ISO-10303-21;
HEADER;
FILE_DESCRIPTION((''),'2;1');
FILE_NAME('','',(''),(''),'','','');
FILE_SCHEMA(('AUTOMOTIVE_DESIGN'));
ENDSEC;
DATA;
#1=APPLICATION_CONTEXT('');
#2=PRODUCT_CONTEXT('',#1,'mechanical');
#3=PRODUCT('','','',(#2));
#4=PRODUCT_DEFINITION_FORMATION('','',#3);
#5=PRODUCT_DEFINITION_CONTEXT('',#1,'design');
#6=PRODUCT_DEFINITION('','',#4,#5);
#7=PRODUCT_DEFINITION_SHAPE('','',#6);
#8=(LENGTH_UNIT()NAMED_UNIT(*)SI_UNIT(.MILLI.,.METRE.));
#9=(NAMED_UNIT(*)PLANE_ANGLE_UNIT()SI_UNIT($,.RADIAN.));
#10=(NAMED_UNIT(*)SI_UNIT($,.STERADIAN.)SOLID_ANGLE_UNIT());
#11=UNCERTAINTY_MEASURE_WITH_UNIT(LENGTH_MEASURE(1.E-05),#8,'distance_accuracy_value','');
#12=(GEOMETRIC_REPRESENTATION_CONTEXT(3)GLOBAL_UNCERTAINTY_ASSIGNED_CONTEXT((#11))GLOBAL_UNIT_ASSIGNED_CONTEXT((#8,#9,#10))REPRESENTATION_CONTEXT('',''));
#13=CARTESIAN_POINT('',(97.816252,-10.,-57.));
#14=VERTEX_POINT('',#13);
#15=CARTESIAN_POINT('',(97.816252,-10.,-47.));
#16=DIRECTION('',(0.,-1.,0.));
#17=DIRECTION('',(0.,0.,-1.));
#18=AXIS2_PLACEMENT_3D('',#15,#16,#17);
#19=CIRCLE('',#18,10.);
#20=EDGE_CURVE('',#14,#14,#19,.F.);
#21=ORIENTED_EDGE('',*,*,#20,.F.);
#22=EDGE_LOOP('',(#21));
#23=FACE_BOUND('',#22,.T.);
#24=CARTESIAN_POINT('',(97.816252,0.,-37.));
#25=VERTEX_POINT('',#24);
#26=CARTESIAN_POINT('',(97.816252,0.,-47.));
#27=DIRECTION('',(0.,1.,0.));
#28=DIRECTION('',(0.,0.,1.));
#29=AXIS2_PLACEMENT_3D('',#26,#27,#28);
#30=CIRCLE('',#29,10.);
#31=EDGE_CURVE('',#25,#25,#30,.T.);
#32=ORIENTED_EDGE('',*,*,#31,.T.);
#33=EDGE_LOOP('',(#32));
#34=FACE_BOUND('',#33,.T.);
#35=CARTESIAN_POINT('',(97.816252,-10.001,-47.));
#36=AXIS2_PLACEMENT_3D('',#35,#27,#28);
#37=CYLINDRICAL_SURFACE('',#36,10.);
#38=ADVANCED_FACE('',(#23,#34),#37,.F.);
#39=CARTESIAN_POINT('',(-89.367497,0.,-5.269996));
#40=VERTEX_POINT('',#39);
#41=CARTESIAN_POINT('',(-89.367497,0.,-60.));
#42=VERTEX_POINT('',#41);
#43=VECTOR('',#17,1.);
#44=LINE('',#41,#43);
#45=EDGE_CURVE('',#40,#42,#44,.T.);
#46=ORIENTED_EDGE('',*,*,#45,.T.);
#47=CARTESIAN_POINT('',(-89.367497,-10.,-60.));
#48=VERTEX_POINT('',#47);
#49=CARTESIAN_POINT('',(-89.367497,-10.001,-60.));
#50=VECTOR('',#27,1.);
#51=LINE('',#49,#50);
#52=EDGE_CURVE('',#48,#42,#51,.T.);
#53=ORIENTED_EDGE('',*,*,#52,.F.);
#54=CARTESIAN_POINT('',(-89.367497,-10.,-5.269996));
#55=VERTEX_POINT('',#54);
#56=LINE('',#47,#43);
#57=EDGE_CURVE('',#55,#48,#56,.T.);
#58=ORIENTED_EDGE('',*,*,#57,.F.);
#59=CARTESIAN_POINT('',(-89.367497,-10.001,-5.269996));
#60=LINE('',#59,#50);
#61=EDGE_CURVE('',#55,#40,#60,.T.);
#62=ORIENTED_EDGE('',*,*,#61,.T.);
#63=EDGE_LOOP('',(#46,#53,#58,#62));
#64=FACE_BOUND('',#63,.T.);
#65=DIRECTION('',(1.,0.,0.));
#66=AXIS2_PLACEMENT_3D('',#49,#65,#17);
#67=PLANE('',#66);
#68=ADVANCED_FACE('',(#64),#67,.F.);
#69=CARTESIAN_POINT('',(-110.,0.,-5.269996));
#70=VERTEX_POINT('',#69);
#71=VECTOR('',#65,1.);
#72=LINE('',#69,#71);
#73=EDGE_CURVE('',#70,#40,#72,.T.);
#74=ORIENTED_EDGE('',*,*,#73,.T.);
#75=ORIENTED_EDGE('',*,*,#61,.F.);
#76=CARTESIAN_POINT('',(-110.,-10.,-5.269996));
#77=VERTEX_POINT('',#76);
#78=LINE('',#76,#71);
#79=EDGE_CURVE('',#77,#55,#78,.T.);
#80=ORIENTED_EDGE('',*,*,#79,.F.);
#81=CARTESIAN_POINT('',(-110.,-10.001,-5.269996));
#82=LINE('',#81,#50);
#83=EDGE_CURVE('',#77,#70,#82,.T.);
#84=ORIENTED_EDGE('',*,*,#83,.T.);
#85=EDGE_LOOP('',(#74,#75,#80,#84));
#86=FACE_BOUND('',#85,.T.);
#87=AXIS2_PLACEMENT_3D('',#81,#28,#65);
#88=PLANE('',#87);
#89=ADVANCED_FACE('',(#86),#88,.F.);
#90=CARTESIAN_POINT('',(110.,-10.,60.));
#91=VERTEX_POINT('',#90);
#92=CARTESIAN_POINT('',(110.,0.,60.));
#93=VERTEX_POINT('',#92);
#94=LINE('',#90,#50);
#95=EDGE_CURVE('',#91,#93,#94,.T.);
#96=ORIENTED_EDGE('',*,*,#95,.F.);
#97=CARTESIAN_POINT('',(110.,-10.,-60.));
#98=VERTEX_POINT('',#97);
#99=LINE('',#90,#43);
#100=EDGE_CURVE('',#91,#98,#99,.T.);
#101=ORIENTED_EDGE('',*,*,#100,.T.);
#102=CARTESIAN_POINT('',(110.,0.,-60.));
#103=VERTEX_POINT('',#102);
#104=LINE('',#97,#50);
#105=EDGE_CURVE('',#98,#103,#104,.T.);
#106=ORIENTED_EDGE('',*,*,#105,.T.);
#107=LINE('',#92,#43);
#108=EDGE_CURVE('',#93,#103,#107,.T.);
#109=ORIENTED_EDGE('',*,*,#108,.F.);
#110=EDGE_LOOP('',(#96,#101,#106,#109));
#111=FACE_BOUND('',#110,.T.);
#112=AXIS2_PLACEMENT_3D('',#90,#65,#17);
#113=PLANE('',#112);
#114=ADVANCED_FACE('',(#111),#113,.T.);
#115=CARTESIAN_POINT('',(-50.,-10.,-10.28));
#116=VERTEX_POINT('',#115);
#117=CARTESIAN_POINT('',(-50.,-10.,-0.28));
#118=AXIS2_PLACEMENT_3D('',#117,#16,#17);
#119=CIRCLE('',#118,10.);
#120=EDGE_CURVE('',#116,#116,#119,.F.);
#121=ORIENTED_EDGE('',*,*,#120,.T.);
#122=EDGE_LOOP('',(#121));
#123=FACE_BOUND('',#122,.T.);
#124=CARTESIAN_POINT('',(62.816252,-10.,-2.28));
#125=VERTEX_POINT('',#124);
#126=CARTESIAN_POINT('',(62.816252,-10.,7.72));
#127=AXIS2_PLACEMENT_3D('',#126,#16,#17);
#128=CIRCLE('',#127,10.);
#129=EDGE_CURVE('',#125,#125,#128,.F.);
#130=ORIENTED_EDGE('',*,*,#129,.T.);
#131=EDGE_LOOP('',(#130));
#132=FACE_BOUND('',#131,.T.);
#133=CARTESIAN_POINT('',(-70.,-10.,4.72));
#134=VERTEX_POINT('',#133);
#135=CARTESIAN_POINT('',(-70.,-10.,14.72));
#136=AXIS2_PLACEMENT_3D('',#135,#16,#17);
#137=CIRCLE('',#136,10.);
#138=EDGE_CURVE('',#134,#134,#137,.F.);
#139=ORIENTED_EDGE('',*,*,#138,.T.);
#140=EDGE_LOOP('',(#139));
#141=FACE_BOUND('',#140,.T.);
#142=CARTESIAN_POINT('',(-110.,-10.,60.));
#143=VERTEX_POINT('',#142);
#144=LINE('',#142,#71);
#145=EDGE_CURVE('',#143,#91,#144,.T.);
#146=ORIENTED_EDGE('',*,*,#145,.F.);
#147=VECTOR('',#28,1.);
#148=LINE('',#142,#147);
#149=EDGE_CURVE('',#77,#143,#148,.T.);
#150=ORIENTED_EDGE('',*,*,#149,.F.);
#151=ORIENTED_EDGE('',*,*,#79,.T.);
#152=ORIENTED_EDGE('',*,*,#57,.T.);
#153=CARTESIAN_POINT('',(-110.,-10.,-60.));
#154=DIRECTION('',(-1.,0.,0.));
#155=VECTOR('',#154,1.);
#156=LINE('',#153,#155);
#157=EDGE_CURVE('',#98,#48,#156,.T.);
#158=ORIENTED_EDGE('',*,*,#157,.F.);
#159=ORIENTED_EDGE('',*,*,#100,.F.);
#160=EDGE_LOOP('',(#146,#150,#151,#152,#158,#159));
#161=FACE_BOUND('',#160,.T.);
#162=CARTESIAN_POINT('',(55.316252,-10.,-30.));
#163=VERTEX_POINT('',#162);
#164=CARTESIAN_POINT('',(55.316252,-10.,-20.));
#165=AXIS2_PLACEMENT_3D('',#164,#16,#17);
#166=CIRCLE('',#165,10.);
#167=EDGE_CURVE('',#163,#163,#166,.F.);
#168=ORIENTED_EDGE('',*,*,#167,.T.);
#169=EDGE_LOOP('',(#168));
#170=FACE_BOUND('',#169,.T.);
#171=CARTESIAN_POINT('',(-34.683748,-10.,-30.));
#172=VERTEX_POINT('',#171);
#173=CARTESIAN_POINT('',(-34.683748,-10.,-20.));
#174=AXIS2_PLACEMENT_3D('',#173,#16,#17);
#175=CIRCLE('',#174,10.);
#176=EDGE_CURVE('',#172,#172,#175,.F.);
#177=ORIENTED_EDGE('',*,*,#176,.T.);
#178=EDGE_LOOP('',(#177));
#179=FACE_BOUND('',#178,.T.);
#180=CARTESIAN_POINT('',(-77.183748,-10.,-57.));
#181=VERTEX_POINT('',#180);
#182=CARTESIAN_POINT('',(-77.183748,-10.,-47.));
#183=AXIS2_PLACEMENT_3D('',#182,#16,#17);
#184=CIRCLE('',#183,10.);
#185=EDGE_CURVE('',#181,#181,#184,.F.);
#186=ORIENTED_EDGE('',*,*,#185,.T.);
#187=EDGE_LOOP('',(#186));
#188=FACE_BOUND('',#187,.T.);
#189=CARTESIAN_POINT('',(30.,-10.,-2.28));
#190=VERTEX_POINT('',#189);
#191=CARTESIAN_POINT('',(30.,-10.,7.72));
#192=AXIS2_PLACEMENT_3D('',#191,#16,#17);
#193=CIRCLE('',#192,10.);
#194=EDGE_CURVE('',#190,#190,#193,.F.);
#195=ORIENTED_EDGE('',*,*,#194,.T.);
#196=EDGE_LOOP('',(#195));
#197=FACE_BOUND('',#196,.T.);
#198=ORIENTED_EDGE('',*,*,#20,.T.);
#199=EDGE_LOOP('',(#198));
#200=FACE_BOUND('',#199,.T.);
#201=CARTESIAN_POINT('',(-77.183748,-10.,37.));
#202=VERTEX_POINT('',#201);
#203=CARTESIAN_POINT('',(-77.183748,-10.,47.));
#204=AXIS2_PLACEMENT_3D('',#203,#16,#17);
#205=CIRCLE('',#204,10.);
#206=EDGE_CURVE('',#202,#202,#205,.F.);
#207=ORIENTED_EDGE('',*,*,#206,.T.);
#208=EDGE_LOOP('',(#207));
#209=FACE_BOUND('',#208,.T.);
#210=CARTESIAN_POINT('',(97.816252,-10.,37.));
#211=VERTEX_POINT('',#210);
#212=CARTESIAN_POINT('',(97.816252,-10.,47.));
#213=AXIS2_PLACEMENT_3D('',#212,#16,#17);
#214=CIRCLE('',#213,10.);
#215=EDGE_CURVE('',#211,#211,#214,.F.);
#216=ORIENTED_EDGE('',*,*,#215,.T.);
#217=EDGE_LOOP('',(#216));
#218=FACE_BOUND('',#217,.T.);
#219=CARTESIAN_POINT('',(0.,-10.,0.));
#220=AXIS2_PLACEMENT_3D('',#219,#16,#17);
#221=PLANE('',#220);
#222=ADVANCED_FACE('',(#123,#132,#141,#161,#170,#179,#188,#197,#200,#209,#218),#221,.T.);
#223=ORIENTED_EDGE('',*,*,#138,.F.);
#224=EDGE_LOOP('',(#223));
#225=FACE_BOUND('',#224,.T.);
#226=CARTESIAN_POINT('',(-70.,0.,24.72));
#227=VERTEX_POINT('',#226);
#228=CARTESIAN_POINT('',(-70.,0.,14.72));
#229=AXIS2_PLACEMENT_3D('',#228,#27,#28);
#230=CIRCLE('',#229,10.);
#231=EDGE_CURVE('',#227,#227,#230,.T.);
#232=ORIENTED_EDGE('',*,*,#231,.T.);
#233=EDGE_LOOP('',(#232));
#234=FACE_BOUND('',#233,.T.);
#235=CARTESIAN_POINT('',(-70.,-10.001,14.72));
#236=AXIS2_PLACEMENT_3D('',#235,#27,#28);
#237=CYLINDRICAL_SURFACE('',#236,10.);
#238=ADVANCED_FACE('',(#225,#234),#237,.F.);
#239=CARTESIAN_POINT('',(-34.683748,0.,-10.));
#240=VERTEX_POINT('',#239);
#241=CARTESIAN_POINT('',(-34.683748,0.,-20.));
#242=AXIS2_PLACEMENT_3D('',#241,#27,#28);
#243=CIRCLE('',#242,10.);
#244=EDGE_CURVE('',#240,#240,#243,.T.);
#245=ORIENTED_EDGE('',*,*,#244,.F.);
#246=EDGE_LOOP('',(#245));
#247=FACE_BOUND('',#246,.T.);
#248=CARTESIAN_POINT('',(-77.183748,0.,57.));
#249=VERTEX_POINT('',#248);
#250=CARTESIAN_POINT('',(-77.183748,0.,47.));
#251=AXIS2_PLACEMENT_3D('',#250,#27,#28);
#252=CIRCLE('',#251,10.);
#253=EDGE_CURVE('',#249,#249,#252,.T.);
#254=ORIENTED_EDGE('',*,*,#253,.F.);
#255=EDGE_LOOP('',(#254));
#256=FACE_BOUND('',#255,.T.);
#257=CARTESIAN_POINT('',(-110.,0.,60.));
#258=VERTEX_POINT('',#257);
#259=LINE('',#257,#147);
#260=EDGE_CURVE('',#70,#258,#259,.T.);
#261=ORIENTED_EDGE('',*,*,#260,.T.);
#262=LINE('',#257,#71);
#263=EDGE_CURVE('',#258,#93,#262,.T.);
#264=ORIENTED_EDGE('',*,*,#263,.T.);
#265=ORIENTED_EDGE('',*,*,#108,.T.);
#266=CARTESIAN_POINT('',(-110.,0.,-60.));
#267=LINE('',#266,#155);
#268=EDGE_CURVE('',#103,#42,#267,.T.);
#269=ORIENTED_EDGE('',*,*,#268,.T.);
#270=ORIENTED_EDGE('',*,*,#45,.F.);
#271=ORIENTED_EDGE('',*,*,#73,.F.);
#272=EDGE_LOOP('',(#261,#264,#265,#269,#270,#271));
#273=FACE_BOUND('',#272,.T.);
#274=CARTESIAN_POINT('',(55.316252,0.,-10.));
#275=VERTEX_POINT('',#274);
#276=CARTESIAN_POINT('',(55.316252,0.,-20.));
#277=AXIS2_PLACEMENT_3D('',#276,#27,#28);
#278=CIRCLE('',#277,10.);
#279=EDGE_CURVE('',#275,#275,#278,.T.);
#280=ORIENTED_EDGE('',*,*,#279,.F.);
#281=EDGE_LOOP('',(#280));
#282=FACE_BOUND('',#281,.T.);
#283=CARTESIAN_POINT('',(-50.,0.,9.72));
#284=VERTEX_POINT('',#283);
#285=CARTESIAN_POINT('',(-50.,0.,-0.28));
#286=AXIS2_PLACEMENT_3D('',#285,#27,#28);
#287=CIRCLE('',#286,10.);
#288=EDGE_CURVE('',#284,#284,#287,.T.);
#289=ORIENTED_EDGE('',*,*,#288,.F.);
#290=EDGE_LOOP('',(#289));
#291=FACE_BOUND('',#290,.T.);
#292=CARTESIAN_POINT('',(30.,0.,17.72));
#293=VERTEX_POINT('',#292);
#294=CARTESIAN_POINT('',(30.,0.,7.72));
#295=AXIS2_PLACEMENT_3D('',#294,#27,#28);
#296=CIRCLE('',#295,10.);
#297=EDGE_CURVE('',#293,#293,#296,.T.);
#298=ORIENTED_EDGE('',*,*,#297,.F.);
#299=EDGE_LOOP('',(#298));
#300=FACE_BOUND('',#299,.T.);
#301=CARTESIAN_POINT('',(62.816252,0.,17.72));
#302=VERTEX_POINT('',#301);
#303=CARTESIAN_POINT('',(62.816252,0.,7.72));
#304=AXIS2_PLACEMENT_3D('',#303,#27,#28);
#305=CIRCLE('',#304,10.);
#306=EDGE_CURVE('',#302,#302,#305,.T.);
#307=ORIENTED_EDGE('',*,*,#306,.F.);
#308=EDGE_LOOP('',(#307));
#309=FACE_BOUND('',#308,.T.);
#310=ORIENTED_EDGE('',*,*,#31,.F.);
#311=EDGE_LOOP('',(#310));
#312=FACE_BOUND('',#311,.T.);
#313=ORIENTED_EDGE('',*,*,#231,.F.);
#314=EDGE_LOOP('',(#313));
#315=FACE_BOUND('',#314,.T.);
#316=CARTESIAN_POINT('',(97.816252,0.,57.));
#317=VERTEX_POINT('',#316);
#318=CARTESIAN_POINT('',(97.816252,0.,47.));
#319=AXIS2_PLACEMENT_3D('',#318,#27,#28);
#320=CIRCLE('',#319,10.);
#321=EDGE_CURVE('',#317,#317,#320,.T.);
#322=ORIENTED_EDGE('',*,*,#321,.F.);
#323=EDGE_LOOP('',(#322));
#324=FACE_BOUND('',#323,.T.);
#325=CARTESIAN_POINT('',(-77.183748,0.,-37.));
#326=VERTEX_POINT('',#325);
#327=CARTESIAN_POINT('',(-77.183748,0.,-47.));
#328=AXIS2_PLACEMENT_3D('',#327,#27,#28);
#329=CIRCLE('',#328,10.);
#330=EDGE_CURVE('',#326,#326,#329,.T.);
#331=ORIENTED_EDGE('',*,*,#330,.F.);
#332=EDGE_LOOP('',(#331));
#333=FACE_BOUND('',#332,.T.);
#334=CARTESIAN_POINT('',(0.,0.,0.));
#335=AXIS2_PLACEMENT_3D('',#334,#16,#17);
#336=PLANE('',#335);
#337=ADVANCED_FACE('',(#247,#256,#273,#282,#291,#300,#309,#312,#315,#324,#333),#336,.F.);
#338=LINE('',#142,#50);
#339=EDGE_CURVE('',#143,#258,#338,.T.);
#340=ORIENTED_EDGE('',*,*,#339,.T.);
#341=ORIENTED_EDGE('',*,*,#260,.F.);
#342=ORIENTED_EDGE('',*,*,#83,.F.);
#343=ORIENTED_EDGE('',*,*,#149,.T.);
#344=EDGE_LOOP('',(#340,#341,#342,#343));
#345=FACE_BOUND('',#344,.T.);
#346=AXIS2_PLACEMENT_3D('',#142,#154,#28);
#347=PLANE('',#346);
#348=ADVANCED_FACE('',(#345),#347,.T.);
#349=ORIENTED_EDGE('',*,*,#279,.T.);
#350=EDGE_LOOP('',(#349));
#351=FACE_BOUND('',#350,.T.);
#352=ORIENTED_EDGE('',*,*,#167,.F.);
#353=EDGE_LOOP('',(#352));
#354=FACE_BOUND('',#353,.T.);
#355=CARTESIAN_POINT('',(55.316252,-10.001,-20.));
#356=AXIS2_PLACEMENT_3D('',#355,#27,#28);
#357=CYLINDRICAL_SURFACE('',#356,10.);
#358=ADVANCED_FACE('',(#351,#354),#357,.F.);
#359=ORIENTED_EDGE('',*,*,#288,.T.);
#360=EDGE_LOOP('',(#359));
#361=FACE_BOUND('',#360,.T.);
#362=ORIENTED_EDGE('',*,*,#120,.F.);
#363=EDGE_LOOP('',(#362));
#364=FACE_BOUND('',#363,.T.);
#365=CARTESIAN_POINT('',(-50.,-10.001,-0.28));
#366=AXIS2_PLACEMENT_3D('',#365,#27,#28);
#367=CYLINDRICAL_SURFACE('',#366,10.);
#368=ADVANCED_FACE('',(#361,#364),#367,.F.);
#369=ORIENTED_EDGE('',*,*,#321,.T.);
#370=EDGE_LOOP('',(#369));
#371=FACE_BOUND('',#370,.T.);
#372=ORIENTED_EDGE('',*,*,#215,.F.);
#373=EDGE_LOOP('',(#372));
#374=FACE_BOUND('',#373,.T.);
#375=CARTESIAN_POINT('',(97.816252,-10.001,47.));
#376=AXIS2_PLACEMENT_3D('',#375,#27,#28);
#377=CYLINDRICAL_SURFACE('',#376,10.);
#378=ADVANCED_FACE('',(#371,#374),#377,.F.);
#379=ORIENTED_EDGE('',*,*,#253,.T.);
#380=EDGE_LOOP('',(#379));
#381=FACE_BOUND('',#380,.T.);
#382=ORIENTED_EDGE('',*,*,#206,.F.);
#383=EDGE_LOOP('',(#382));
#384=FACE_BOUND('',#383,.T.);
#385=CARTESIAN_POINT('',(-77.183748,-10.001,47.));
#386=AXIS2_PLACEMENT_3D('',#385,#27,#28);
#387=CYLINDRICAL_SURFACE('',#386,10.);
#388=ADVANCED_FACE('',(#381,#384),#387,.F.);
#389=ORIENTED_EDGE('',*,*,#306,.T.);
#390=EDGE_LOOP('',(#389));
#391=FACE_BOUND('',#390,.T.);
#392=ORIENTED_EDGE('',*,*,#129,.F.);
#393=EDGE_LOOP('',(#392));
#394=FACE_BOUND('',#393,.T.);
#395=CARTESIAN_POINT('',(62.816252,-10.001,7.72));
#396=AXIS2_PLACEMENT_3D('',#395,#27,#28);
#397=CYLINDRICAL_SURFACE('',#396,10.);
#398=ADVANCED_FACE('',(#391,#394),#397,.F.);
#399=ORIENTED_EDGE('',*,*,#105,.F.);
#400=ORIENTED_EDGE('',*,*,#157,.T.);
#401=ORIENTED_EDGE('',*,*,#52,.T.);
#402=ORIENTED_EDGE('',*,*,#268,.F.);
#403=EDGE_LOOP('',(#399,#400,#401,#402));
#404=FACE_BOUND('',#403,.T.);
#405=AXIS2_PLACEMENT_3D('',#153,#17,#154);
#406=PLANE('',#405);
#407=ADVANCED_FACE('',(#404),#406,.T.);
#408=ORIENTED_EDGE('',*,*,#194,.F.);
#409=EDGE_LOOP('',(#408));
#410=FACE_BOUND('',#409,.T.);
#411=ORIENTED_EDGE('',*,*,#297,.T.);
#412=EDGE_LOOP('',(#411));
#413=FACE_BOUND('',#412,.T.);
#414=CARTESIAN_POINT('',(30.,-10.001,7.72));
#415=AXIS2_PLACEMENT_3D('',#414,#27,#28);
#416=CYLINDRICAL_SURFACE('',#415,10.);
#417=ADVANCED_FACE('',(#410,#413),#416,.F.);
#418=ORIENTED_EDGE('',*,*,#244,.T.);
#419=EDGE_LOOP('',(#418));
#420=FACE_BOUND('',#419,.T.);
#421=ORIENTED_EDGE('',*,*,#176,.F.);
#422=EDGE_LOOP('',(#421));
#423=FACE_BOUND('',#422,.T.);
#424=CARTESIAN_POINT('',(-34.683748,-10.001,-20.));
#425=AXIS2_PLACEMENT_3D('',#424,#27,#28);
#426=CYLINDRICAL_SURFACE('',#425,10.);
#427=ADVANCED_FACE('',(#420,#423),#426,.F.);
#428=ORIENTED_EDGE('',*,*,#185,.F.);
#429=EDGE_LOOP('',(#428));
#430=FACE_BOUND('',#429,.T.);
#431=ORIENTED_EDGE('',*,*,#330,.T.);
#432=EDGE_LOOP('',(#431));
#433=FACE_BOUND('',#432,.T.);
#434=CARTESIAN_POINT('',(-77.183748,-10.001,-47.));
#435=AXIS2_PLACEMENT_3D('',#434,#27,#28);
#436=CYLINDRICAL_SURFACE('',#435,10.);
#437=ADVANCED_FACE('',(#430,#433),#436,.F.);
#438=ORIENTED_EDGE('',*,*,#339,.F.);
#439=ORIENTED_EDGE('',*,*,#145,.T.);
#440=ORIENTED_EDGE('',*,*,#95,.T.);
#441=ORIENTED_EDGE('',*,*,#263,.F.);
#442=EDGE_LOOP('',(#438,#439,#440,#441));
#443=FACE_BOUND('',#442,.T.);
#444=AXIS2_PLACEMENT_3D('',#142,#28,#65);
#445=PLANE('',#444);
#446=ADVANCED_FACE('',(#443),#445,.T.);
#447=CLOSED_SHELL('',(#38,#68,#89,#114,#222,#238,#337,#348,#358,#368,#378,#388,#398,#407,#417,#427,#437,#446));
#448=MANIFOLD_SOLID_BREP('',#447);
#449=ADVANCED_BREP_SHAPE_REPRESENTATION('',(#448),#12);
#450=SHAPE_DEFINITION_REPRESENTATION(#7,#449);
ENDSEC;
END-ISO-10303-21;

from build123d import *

# Parameters (mm, degrees)
SKETCH1_W           = 220
SKETCH1_H           = 120
BOSS_EXTRUDE1_DEPTH = 10
CUT_EXTRUDE1_REACH  = 127.698
SKETCH2_W           = 20.632503002
SKETCH2_H           = 54.730004003
CUT_EXTRUDE2_REACH  = 127.698
SKETCH3_R           = 10


with BuildPart() as part:
    # Sketch1 → Boss-Extrude1 (new body)
    with BuildSketch(Plane(origin=(0, 0, 0), x_dir=(1, 0, 0), z_dir=(0, 1, 0))):
        Rectangle(SKETCH1_W, SKETCH1_H)
    extrude(amount=-BOSS_EXTRUDE1_DEPTH)

    # Sketch2 → Cut-Extrude1 (cut, up to next)
    with BuildSketch(Plane(origin=(0, 0, 0), x_dir=(1, 0, 0), z_dir=(0, 1, 0)), mode=Mode.PRIVATE) as cut_extrude1_sk1:
        with Locations((-99.683748499, 32.634997999)):
            Rectangle(SKETCH2_W, SKETCH2_H)
    cut_extrude1_tool1 = extrude(cut_extrude1_sk1.sketch, amount=-CUT_EXTRUDE1_REACH, mode=Mode.PRIVATE) & part.part
    add(cut_extrude1_tool1.solids().sort_by_distance((-99.683748, 0, -32.634998))[0], mode=Mode.SUBTRACT)

    # Sketch3 → Cut-Extrude2 (cut, up to next)
    with BuildSketch(Plane(origin=(0, 0, 0), x_dir=(1, 0, 0), z_dir=(0, 1, 0)), mode=Mode.PRIVATE) as cut_extrude2_sk1:
        with Locations(Location((97.816251501, -47, 0), (0, 0, 270))):
            Circle(SKETCH3_R)
    cut_extrude2_tool1 = extrude(cut_extrude2_sk1.sketch, amount=-CUT_EXTRUDE2_REACH, mode=Mode.PRIVATE) & part.part
    # Sketch3 → Cut-Extrude2 (cut, up to next)
    with BuildSketch(Plane(origin=(0, 0, 0), x_dir=(1, 0, 0), z_dir=(0, 1, 0)), mode=Mode.PRIVATE) as cut_extrude2_sk2:
        with Locations(Location((-77.183748499, -47, 0), (0, 0, 270))):
            Circle(SKETCH3_R)
    cut_extrude2_tool2 = extrude(cut_extrude2_sk2.sketch, amount=-CUT_EXTRUDE2_REACH, mode=Mode.PRIVATE) & part.part
    # Sketch3 → Cut-Extrude2 (cut, up to next)
    with BuildSketch(Plane(origin=(0, 0, 0), x_dir=(1, 0, 0), z_dir=(0, 1, 0)), mode=Mode.PRIVATE) as cut_extrude2_sk3:
        with Locations(Location((-70, -14.72, 0), (0, 0, 270))):
            Circle(SKETCH3_R)
    cut_extrude2_tool3 = extrude(cut_extrude2_sk3.sketch, amount=-CUT_EXTRUDE2_REACH, mode=Mode.PRIVATE) & part.part
    # Sketch3 → Cut-Extrude2 (cut, up to next)
    with BuildSketch(Plane(origin=(0, 0, 0), x_dir=(1, 0, 0), z_dir=(0, 1, 0)), mode=Mode.PRIVATE) as cut_extrude2_sk4:
        with Locations(Location((-50, 0.28, 0), (0, 0, 270))):
            Circle(SKETCH3_R)
    cut_extrude2_tool4 = extrude(cut_extrude2_sk4.sketch, amount=-CUT_EXTRUDE2_REACH, mode=Mode.PRIVATE) & part.part
    # Sketch3 → Cut-Extrude2 (cut, up to next)
    with BuildSketch(Plane(origin=(0, 0, 0), x_dir=(1, 0, 0), z_dir=(0, 1, 0)), mode=Mode.PRIVATE) as cut_extrude2_sk5:
        with Locations(Location((30, -7.72, 0), (0, 0, 270))):
            Circle(SKETCH3_R)
    cut_extrude2_tool5 = extrude(cut_extrude2_sk5.sketch, amount=-CUT_EXTRUDE2_REACH, mode=Mode.PRIVATE) & part.part
    # Sketch3 → Cut-Extrude2 (cut, up to next)
    with BuildSketch(Plane(origin=(0, 0, 0), x_dir=(1, 0, 0), z_dir=(0, 1, 0)), mode=Mode.PRIVATE) as cut_extrude2_sk6:
        with Locations(Location((62.816251501, -7.72, 0), (0, 0, 270))):
            Circle(SKETCH3_R)
    cut_extrude2_tool6 = extrude(cut_extrude2_sk6.sketch, amount=-CUT_EXTRUDE2_REACH, mode=Mode.PRIVATE) & part.part
    # Sketch3 → Cut-Extrude2 (cut, up to next)
    with BuildSketch(Plane(origin=(0, 0, 0), x_dir=(1, 0, 0), z_dir=(0, 1, 0)), mode=Mode.PRIVATE) as cut_extrude2_sk7:
        with Locations(Location((55.316251501, 20, 0), (0, 0, 270))):
            Circle(SKETCH3_R)
    cut_extrude2_tool7 = extrude(cut_extrude2_sk7.sketch, amount=-CUT_EXTRUDE2_REACH, mode=Mode.PRIVATE) & part.part
    # Sketch3 → Cut-Extrude2 (cut, up to next)
    with BuildSketch(Plane(origin=(0, 0, 0), x_dir=(1, 0, 0), z_dir=(0, 1, 0)), mode=Mode.PRIVATE) as cut_extrude2_sk8:
        with Locations(Location((97.816251501, 47, 0), (0, 0, 270))):
            Circle(SKETCH3_R)
    cut_extrude2_tool8 = extrude(cut_extrude2_sk8.sketch, amount=-CUT_EXTRUDE2_REACH, mode=Mode.PRIVATE) & part.part
    # Sketch3 → Cut-Extrude2 (cut, up to next)
    with BuildSketch(Plane(origin=(0, 0, 0), x_dir=(1, 0, 0), z_dir=(0, 1, 0)), mode=Mode.PRIVATE) as cut_extrude2_sk9:
        with Locations(Location((-34.683748499, 20, 0), (0, 0, 270))):
            Circle(SKETCH3_R)
    cut_extrude2_tool9 = extrude(cut_extrude2_sk9.sketch, amount=-CUT_EXTRUDE2_REACH, mode=Mode.PRIVATE) & part.part
    # Sketch3 → Cut-Extrude2 (cut, up to next)
    with BuildSketch(Plane(origin=(0, 0, 0), x_dir=(1, 0, 0), z_dir=(0, 1, 0)), mode=Mode.PRIVATE) as cut_extrude2_sk10:
        with Locations(Location((-77.183748499, 47, 0), (0, 0, 270))):
            Circle(SKETCH3_R)
    cut_extrude2_tool10 = extrude(cut_extrude2_sk10.sketch, amount=-CUT_EXTRUDE2_REACH, mode=Mode.PRIVATE) & part.part
    add(cut_extrude2_tool1.solids().sort_by_distance((97.816252, 0, 47))[0], mode=Mode.SUBTRACT)
    add(cut_extrude2_tool2.solids().sort_by_distance((-77.183748, 0, 47))[0], mode=Mode.SUBTRACT)
    add(cut_extrude2_tool3.solids().sort_by_distance((-70, 0, 14.72))[0], mode=Mode.SUBTRACT)
    add(cut_extrude2_tool4.solids().sort_by_distance((-50, 0, -0.28))[0], mode=Mode.SUBTRACT)
    add(cut_extrude2_tool5.solids().sort_by_distance((30, 0, 7.72))[0], mode=Mode.SUBTRACT)
    add(cut_extrude2_tool6.solids().sort_by_distance((62.816252, 0, 7.72))[0], mode=Mode.SUBTRACT)
    add(cut_extrude2_tool7.solids().sort_by_distance((55.316252, 0, -20))[0], mode=Mode.SUBTRACT)
    add(cut_extrude2_tool8.solids().sort_by_distance((97.816252, 0, -47))[0], mode=Mode.SUBTRACT)
    add(cut_extrude2_tool9.solids().sort_by_distance((-34.683748, 0, -20))[0], mode=Mode.SUBTRACT)
    add(cut_extrude2_tool10.solids().sort_by_distance((-77.183748, 0, -47))[0], mode=Mode.SUBTRACT)


solid = part.part
